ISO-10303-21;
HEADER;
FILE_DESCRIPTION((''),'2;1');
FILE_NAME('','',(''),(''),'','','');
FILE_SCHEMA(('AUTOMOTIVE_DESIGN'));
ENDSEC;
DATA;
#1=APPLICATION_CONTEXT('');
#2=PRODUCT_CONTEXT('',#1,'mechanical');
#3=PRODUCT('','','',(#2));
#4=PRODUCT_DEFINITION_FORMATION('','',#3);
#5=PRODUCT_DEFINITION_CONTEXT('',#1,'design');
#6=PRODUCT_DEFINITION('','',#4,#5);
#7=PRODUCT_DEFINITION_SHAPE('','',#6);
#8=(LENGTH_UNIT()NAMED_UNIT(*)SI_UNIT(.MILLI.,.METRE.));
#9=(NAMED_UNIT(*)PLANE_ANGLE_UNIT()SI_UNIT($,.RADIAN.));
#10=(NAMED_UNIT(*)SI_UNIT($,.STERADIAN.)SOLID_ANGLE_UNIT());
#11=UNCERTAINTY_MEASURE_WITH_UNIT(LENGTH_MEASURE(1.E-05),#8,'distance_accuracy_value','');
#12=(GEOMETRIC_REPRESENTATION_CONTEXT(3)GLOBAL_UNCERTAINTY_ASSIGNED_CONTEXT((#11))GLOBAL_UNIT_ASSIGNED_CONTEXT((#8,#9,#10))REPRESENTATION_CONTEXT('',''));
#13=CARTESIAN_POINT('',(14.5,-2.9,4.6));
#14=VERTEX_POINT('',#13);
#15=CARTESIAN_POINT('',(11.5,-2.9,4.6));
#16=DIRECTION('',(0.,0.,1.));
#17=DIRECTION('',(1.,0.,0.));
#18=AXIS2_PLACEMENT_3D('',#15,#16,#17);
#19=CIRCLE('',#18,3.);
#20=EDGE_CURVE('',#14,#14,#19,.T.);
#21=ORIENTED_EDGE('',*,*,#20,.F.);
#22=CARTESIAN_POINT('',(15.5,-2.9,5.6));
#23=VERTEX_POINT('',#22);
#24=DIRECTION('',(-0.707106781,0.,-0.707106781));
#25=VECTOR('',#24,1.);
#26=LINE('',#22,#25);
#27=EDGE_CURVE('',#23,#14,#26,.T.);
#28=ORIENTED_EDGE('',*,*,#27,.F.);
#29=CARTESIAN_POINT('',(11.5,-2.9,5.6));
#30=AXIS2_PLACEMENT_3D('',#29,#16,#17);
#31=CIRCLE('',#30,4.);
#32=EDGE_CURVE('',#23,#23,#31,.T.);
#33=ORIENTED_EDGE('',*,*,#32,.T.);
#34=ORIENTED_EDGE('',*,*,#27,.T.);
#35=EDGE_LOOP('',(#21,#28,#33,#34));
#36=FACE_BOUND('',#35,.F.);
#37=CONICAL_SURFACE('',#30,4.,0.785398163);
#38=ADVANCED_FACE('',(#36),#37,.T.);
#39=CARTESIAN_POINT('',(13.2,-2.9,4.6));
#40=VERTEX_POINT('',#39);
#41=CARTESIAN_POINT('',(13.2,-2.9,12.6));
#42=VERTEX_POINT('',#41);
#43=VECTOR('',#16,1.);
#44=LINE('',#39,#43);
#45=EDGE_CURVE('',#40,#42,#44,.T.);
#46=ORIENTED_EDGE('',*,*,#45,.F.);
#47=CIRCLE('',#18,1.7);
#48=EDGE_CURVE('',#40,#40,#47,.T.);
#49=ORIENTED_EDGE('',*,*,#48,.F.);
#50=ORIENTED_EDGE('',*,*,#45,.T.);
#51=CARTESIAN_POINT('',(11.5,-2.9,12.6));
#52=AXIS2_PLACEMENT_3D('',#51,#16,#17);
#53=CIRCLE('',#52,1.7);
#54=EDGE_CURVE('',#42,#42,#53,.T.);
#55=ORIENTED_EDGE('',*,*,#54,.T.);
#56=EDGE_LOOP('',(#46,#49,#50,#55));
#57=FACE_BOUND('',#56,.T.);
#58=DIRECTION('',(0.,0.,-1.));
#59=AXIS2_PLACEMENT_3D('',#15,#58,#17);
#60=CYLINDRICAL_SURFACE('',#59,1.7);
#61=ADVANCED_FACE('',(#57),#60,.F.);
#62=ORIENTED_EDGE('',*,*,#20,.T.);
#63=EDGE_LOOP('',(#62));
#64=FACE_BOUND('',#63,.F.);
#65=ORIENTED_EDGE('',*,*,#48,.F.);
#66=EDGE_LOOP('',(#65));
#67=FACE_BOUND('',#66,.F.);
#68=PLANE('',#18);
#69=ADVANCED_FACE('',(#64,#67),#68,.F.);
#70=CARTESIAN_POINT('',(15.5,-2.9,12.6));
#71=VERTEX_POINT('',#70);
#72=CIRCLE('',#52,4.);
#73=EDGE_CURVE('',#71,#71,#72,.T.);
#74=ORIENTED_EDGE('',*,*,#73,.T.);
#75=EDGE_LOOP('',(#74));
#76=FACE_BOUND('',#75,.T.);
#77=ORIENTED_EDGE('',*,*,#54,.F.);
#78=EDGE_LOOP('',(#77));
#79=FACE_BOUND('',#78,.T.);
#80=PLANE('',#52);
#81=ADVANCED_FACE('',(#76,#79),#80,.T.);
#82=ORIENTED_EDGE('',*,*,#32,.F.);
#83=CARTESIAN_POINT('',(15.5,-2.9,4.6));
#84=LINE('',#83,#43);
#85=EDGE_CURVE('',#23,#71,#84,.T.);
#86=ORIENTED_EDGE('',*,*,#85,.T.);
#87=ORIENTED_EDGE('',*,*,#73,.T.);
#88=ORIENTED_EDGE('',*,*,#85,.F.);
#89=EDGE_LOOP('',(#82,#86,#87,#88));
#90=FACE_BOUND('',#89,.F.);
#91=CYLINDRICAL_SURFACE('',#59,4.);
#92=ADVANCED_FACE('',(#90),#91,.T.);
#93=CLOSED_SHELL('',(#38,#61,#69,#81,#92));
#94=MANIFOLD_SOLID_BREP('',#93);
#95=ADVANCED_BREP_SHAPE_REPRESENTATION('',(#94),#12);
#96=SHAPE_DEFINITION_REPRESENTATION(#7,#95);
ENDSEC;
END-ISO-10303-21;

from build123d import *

# Parameters (mm, degrees)
CYLINDER013_R     = 1.7
CYLINDER013_DEPTH = 8
CYLINDER012_R     = 4
CYLINDER012_DEPTH = 8
CHAMFER007_SIZE   = 1


with BuildPart() as cylinder013:
    # Cylinder013 → Cylinder013 (new body)
    with BuildSketch(Plane(origin=(11.5, -2.9, 4.6), x_dir=(1, 0, 0), z_dir=(0, 0, 1))):
        Circle(CYLINDER013_R)
    extrude(amount=CYLINDER013_DEPTH)


with BuildPart() as cut003:
    # Cylinder012 → Cylinder012 (new body)
    with BuildSketch(Plane(origin=(11.5, -2.9, 4.6), x_dir=(1, 0, 0), z_dir=(0, 0, 1))):
        Circle(CYLINDER012_R)
    extrude(amount=CYLINDER012_DEPTH)

    # Chamfer007
    chamfer007_edges = [cut003.edges().sort_by_distance(p)[0] for p in [
        (7.5, -2.9, 4.6),
    ]]
    chamfer(chamfer007_edges, length=CHAMFER007_SIZE)

    # Cut003: cut Cylinder013
    add(cylinder013.part, mode=Mode.SUBTRACT)


solid = cut003.part
